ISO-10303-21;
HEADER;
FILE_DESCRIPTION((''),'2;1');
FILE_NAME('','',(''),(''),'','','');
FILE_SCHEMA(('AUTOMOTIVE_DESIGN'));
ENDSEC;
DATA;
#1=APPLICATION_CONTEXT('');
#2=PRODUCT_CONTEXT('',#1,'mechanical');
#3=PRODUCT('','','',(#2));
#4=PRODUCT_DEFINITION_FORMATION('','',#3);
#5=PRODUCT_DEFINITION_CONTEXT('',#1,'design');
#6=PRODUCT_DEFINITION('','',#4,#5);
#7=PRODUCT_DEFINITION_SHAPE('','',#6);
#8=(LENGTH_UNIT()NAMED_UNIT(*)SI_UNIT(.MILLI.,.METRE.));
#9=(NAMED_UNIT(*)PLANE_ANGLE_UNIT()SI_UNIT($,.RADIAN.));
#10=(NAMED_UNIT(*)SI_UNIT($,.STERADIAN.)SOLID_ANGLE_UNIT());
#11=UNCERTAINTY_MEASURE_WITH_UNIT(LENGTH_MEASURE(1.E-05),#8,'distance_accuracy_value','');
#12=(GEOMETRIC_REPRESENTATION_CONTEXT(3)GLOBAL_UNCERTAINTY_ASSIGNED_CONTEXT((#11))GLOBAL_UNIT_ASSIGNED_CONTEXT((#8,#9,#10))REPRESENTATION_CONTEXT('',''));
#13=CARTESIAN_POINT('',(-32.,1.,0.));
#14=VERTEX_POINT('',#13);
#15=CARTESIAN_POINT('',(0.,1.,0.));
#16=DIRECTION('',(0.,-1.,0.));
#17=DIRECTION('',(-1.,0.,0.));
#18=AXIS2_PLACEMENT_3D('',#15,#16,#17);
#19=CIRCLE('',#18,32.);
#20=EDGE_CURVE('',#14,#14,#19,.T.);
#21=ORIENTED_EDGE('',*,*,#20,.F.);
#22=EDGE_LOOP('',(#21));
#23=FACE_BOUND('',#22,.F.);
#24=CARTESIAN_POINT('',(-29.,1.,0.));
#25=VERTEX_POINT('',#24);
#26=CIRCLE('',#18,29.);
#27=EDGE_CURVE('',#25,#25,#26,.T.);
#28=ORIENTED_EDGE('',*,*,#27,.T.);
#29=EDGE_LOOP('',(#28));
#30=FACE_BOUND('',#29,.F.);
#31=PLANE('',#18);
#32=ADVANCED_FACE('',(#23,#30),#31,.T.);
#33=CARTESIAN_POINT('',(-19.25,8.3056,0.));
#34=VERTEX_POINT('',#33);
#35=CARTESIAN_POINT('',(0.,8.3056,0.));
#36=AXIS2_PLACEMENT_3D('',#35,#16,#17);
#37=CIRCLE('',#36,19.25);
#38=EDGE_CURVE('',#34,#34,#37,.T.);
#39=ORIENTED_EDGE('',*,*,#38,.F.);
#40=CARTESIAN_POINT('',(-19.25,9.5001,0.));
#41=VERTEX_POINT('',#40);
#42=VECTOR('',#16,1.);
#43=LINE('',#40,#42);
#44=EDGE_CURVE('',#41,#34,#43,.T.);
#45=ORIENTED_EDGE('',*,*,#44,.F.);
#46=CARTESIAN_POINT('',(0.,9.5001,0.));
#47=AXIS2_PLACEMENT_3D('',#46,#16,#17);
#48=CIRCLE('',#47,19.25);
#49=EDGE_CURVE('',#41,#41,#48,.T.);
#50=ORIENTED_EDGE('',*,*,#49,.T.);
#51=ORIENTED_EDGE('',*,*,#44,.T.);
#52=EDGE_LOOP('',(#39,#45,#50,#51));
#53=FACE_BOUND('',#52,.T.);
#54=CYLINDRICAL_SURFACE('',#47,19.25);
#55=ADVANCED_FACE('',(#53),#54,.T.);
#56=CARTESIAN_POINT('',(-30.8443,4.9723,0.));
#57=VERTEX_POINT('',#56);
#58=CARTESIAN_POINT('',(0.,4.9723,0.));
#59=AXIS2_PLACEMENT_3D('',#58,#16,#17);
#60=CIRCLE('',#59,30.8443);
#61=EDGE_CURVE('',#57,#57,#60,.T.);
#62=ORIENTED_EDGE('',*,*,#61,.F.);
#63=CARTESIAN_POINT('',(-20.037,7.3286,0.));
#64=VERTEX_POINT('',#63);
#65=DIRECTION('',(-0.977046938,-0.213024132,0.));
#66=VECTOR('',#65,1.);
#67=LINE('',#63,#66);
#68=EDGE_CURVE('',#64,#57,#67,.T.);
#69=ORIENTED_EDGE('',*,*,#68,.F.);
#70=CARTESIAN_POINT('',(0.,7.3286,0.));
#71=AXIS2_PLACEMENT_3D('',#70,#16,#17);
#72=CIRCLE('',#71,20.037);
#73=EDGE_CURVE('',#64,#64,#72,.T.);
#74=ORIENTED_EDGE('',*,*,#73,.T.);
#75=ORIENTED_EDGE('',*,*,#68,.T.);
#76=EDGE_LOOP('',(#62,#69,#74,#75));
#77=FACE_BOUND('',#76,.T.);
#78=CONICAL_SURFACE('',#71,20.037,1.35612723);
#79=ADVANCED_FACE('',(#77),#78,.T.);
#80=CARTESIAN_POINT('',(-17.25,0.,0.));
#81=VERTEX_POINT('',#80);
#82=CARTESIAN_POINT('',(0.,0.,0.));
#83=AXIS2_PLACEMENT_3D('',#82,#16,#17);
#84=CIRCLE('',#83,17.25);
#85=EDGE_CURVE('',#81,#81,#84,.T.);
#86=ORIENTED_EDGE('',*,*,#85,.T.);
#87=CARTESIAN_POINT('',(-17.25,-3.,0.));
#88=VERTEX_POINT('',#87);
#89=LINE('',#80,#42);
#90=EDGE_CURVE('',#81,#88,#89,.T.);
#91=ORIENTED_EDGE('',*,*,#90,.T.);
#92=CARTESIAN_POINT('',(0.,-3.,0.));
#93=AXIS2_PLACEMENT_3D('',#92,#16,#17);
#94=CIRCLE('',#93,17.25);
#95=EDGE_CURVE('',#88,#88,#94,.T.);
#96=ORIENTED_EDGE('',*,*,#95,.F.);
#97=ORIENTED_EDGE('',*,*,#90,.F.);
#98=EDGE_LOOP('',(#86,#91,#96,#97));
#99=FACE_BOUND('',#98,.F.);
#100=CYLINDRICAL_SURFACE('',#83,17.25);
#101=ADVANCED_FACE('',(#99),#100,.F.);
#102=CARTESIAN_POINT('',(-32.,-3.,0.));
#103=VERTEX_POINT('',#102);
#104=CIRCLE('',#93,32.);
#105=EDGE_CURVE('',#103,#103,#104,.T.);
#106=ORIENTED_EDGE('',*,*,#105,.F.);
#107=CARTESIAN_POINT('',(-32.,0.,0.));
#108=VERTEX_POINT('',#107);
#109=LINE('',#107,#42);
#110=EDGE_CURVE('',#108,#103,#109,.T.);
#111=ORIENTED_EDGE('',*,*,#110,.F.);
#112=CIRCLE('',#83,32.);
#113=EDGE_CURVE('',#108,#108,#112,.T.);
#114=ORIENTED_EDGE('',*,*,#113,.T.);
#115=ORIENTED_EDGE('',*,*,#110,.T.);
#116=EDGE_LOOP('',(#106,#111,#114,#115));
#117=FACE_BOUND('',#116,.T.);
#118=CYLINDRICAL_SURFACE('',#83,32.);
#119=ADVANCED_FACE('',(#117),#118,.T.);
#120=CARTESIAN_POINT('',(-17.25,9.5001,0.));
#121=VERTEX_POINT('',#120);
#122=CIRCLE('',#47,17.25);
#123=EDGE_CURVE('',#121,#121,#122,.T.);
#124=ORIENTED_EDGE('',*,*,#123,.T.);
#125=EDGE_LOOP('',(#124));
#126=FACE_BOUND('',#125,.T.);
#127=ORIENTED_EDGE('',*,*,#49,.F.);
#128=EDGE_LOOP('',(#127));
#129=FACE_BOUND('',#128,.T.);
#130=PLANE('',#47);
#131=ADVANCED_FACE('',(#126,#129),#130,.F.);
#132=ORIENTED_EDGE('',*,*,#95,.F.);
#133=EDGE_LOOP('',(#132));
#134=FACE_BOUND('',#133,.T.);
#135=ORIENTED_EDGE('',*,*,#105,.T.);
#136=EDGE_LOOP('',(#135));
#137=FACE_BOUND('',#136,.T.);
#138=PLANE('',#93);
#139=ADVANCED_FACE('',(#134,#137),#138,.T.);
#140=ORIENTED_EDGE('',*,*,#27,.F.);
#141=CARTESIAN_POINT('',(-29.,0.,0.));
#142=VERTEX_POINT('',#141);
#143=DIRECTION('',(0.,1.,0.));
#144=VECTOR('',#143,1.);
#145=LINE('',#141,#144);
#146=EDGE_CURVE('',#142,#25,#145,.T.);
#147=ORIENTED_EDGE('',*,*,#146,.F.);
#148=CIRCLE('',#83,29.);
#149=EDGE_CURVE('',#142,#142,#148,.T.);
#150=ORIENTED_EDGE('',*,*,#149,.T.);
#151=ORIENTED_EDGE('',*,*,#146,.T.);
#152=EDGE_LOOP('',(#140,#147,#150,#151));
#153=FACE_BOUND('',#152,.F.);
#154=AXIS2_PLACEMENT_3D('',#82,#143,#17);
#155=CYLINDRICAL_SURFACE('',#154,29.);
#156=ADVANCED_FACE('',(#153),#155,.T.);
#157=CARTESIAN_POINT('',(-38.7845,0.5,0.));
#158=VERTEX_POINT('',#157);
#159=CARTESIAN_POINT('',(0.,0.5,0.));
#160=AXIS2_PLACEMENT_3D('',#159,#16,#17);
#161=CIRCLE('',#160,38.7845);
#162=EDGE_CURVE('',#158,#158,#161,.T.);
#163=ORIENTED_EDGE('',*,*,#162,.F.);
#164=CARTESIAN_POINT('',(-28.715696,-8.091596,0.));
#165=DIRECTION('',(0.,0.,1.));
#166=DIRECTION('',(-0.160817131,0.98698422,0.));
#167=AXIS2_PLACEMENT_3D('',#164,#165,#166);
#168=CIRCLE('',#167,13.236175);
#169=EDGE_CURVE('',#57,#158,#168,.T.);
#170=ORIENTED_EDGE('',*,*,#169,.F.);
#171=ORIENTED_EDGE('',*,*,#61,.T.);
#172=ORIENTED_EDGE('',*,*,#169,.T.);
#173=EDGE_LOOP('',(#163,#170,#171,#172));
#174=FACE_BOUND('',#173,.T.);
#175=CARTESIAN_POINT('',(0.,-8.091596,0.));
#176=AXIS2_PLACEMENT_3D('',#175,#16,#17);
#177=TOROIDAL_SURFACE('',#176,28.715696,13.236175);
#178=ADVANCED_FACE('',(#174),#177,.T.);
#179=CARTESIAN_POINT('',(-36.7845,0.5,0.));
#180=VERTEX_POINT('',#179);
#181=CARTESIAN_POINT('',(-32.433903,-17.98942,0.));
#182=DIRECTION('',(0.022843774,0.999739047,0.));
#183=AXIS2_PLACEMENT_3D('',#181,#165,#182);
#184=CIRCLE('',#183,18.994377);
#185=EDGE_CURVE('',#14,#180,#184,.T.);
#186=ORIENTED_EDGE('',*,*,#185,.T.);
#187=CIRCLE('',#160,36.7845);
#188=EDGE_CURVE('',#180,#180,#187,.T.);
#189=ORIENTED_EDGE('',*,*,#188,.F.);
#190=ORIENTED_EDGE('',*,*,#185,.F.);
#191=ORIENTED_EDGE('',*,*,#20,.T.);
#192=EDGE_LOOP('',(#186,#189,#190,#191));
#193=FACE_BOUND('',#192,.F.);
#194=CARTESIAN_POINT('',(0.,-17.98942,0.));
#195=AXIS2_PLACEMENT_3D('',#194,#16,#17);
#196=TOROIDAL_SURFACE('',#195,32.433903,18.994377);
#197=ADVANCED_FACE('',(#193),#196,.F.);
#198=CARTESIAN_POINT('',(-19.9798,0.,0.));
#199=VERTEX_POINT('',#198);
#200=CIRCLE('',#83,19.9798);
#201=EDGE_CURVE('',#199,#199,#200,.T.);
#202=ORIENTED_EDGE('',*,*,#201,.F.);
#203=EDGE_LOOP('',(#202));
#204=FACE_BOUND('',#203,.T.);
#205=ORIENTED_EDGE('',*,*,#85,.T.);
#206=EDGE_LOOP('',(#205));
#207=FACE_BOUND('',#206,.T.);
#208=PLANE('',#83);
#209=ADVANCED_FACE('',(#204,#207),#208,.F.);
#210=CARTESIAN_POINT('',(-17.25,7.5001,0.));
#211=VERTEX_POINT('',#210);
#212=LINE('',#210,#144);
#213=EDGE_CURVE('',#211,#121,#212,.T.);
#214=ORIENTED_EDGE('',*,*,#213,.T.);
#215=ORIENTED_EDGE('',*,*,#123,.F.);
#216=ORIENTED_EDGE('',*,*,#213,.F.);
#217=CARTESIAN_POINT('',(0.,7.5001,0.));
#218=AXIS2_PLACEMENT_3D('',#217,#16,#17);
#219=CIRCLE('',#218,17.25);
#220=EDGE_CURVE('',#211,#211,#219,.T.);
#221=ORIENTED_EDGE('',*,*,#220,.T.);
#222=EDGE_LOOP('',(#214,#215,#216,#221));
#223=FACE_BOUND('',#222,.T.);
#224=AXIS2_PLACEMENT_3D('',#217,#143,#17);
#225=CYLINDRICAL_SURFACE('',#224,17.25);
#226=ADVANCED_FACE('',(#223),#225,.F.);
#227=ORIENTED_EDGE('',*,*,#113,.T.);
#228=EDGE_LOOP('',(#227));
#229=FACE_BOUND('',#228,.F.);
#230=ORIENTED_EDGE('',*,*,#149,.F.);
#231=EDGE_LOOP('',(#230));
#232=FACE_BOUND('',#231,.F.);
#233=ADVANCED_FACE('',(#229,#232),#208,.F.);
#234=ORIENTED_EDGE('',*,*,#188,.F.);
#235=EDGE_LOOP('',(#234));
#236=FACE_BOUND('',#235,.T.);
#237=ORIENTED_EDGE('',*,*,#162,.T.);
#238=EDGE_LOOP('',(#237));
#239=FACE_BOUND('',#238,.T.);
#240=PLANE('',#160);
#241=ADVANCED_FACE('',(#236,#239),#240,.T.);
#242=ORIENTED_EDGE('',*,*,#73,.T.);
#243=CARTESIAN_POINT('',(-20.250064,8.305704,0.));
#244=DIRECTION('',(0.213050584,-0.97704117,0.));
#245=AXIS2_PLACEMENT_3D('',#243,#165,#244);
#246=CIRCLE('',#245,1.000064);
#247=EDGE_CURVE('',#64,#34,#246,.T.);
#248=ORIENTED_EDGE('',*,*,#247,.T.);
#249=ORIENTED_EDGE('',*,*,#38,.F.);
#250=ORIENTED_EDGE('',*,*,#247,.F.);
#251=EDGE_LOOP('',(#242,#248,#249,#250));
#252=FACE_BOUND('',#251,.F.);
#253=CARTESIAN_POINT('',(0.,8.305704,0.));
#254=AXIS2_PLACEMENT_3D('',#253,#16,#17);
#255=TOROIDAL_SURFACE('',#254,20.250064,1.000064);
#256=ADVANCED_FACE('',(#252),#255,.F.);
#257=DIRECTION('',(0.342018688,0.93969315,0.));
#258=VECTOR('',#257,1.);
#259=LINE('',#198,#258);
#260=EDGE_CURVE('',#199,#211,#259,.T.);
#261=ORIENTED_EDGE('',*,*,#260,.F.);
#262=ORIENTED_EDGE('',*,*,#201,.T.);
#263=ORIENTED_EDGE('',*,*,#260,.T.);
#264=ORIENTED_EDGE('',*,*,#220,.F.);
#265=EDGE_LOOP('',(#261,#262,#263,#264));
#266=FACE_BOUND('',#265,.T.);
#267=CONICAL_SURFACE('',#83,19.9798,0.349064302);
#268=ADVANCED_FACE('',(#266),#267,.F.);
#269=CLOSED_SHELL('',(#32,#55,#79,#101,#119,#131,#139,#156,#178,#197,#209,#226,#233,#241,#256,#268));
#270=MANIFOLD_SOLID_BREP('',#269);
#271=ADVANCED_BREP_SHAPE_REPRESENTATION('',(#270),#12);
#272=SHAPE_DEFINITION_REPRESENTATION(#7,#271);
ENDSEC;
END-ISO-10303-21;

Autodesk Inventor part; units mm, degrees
ref_plane "YZ Plane" through (0, 0, 0) normal (1, 0, 0) x (0, 1, 0)
ref_plane "XZ Plane" through (0, 0, 0) normal (0, 1, 0) x (-1, 0, 0)
ref_plane "XY Plane" through (0, 0, 0) normal (0, 0, 1) x (1, 0, 0)
sketch "Sketch6" plane through (0, 0, 0) normal (0, 0, 1) x (1, 0, 0)
  line L0 (0, 15) -> (0, 0)
  line L1 (-32, 0) -> (-32, -3)
  line L2 (-32, -3) -> (-17.25, -3)
  line L3 (-17.25, 0) -> (-19.9798, 0)
  line L4 (-32, 0) -> (-29, 0)
  line L5 (-29, 0) -> (-29, 1)
  line L6 (-19.9798, 0) -> (-17.25, 7.5001)
  line L7 (-20.037, 7.3286) -> (-30.8443, 4.9723)
  line L8 (-17.25, 7.5001) -> (-17.25, 9.5001)
  line L9 (-17.25, 9.5001) -> (-19.25, 9.5001)
  line L10 (-19.25, 9.5001) -> (-19.25, 8.3056)
  arc A0 (-20.037, 7.3286) -> (-19.25, 8.3056) centre (-20.25, 8.3056) ccw
  line L11 (-17.25, 0) -> (-17.25, -3)
  line L12 (-38.7845, 0.5) -> (-36.7845, 0.5)
  line L13 (-29, 1) -> (-32, 1)
  arc A1 (-32, 1) -> (-36.7845, 0.5) centre (-32.4339, -17.9895) ccw
  arc A2 (-30.8443, 4.9723) -> (-38.7845, 0.5) centre (-28.7158, -8.0913) ccw
  point P0 (0, 0)
  point P1 (-19.25, 7.5001)
  dimension "d30" = 17.25
  dimension "d56" = 2
  dimension "d74" = 17.25
  dimension "d75" = 1
  dimension "d76" = 2
  dimension "d77" = 3
  dimension "d78" = 3
  dimension "d79" = 1
  dimension "d80" = 29
  dimension "d81" = 2
  dimension "d82" = 3
  dimension "d84" = 70
  dimension "d85" = 0.5
revolve "Revolution2" add sketch "Sketch6" angle 360 about axis through (0, 15, 0) along (0, -1, 0)
equation "\"d56\" = d76"
equation "\"d74\" = d30"
equation "\"d77\" = d78"
equation "\"d81\" = d56"
equation "\"d82\" = d78"
equation "\"d85\" = 0.5 * d79"
properties part number "A1169970081" material "Rubber, Silicone"
